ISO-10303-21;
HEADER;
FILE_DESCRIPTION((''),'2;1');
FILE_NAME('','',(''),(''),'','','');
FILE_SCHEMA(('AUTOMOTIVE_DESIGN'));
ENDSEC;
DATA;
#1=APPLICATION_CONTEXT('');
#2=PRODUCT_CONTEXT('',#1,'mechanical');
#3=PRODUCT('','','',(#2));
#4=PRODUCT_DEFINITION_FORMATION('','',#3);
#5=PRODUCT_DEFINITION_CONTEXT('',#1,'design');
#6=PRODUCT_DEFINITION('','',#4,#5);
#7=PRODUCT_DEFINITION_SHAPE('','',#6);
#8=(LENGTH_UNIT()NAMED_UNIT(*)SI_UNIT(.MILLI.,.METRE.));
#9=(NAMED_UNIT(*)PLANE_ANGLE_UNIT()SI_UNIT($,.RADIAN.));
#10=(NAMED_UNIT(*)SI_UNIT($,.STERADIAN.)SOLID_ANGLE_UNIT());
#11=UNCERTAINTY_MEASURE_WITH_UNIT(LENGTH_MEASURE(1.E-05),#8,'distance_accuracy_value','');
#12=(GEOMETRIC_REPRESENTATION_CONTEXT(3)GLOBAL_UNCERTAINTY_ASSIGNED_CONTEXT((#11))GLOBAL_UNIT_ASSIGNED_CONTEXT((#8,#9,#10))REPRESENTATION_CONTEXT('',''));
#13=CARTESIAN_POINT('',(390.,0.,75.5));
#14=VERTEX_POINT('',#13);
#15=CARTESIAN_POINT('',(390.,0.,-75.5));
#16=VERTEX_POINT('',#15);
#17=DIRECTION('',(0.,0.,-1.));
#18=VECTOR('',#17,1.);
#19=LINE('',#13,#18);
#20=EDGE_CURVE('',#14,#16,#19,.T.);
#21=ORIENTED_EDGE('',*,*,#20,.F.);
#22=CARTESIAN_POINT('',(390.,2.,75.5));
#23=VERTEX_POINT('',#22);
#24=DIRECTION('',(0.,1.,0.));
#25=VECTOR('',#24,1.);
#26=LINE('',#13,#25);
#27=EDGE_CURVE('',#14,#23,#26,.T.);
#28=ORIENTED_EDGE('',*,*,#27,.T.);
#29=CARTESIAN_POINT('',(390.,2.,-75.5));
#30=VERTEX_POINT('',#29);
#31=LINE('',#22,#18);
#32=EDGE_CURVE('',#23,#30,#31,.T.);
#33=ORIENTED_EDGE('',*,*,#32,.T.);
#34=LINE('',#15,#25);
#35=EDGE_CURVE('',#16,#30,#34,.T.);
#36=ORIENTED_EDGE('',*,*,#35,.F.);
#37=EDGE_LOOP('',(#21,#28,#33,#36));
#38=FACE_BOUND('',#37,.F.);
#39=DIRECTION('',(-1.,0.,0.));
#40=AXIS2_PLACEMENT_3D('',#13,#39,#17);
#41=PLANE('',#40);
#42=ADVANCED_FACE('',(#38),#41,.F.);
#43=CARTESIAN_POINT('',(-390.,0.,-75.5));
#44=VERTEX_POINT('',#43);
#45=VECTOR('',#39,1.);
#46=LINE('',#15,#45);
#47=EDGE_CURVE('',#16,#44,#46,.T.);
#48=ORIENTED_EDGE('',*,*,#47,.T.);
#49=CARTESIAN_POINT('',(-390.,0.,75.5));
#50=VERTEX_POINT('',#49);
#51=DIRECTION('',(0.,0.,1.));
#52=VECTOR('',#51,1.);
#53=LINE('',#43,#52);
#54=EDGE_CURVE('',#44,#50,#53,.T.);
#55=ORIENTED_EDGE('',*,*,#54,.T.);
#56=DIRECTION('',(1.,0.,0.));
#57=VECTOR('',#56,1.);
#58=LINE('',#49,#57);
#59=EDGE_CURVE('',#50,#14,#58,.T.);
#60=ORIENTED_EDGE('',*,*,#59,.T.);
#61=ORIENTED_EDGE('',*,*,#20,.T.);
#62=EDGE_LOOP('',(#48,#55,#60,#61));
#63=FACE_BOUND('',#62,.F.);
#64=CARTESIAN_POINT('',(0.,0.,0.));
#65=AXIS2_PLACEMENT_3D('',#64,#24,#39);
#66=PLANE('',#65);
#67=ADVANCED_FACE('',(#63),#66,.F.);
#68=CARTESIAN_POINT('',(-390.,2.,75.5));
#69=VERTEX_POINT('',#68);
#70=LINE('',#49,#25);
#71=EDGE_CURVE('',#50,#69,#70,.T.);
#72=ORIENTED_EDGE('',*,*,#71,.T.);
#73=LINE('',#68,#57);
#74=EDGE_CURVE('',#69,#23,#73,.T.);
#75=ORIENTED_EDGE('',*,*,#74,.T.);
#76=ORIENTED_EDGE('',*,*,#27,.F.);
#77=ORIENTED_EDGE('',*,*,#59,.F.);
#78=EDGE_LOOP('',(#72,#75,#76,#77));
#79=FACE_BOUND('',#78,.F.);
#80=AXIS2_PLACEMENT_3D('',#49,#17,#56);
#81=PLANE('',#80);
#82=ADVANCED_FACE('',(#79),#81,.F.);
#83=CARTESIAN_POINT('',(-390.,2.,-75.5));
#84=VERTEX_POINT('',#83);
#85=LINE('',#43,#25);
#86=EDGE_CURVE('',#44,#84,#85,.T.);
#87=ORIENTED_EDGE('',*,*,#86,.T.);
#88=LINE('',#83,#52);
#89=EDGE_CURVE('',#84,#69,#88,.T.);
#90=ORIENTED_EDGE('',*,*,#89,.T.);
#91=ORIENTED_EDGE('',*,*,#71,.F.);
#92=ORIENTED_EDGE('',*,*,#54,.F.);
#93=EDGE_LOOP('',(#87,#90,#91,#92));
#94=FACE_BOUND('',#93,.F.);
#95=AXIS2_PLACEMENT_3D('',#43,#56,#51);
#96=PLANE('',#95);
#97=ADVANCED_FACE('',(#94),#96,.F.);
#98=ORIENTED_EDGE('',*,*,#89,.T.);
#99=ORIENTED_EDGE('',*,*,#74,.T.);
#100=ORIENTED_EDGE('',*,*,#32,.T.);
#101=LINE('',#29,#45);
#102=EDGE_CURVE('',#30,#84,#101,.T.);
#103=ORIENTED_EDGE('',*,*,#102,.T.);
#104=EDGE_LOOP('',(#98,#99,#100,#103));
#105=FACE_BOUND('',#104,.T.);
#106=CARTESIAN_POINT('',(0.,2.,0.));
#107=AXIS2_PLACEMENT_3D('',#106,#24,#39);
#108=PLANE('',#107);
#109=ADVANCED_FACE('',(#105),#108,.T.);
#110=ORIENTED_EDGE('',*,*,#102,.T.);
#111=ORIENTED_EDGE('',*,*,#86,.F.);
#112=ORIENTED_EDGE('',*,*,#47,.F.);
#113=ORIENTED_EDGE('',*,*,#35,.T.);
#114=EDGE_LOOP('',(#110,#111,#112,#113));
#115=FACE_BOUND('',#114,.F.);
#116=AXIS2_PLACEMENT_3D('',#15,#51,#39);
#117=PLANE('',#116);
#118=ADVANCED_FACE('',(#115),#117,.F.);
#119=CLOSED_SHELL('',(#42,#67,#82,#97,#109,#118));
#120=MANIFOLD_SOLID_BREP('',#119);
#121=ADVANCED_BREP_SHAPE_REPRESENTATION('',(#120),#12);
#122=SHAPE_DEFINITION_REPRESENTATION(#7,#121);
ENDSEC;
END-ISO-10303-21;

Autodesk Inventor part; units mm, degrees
ref_plane "YZ Plane" through (0, 0, 0) normal (1, 0, 0) x (0, 1, 0)
ref_plane "XZ Plane" through (0, 0, 0) normal (0, 1, 0) x (-1, 0, 0)
ref_plane "XY Plane" through (0, 0, 0) normal (0, 0, 1) x (1, 0, 0)
sketch "Sketch1" plane through (0, 0, 0) normal (0, 1, 0) x (-1, 0, 0)
  line L0 (390, 75.5) -> (-390, 75.5)
  line L1 (-390, 75.5) -> (-390, -75.5)
  line L2 (-390, -75.5) -> (390, -75.5)
  line L3 (390, -75.5) -> (390, 75.5)
  line L4 (390, 75.5) -> (-390, -75.5) construction
  line L5 (-390, 75.5) -> (390, -75.5) construction
  point P0 (0, 0)
  dimension "d0" = 780
  dimension "d1" = 151
extrude "Plate1" add sketch "Sketch1" along normal blind 2
equation "\"d2\" = Thickness"
equation "\"BendRadius\" = Thickness"
equation "\"BendReliefWidth\" = Thickness"
equation "\"BendReliefDepth\" = 0.5 * Thickness"
equation "\"CornerReliefSize\" = 4 * Thickness"
equation "\"MinimumRemnant\" = 2 * Thickness"
equation "\"TransitionRadius\" = BendRadius"
equation "\"JacobiRadiusSize\" = BendRadius"
equation "\"GapSize\" = Thickness"
equation "\"Thickness\" = 2"
properties part number "Top base"
